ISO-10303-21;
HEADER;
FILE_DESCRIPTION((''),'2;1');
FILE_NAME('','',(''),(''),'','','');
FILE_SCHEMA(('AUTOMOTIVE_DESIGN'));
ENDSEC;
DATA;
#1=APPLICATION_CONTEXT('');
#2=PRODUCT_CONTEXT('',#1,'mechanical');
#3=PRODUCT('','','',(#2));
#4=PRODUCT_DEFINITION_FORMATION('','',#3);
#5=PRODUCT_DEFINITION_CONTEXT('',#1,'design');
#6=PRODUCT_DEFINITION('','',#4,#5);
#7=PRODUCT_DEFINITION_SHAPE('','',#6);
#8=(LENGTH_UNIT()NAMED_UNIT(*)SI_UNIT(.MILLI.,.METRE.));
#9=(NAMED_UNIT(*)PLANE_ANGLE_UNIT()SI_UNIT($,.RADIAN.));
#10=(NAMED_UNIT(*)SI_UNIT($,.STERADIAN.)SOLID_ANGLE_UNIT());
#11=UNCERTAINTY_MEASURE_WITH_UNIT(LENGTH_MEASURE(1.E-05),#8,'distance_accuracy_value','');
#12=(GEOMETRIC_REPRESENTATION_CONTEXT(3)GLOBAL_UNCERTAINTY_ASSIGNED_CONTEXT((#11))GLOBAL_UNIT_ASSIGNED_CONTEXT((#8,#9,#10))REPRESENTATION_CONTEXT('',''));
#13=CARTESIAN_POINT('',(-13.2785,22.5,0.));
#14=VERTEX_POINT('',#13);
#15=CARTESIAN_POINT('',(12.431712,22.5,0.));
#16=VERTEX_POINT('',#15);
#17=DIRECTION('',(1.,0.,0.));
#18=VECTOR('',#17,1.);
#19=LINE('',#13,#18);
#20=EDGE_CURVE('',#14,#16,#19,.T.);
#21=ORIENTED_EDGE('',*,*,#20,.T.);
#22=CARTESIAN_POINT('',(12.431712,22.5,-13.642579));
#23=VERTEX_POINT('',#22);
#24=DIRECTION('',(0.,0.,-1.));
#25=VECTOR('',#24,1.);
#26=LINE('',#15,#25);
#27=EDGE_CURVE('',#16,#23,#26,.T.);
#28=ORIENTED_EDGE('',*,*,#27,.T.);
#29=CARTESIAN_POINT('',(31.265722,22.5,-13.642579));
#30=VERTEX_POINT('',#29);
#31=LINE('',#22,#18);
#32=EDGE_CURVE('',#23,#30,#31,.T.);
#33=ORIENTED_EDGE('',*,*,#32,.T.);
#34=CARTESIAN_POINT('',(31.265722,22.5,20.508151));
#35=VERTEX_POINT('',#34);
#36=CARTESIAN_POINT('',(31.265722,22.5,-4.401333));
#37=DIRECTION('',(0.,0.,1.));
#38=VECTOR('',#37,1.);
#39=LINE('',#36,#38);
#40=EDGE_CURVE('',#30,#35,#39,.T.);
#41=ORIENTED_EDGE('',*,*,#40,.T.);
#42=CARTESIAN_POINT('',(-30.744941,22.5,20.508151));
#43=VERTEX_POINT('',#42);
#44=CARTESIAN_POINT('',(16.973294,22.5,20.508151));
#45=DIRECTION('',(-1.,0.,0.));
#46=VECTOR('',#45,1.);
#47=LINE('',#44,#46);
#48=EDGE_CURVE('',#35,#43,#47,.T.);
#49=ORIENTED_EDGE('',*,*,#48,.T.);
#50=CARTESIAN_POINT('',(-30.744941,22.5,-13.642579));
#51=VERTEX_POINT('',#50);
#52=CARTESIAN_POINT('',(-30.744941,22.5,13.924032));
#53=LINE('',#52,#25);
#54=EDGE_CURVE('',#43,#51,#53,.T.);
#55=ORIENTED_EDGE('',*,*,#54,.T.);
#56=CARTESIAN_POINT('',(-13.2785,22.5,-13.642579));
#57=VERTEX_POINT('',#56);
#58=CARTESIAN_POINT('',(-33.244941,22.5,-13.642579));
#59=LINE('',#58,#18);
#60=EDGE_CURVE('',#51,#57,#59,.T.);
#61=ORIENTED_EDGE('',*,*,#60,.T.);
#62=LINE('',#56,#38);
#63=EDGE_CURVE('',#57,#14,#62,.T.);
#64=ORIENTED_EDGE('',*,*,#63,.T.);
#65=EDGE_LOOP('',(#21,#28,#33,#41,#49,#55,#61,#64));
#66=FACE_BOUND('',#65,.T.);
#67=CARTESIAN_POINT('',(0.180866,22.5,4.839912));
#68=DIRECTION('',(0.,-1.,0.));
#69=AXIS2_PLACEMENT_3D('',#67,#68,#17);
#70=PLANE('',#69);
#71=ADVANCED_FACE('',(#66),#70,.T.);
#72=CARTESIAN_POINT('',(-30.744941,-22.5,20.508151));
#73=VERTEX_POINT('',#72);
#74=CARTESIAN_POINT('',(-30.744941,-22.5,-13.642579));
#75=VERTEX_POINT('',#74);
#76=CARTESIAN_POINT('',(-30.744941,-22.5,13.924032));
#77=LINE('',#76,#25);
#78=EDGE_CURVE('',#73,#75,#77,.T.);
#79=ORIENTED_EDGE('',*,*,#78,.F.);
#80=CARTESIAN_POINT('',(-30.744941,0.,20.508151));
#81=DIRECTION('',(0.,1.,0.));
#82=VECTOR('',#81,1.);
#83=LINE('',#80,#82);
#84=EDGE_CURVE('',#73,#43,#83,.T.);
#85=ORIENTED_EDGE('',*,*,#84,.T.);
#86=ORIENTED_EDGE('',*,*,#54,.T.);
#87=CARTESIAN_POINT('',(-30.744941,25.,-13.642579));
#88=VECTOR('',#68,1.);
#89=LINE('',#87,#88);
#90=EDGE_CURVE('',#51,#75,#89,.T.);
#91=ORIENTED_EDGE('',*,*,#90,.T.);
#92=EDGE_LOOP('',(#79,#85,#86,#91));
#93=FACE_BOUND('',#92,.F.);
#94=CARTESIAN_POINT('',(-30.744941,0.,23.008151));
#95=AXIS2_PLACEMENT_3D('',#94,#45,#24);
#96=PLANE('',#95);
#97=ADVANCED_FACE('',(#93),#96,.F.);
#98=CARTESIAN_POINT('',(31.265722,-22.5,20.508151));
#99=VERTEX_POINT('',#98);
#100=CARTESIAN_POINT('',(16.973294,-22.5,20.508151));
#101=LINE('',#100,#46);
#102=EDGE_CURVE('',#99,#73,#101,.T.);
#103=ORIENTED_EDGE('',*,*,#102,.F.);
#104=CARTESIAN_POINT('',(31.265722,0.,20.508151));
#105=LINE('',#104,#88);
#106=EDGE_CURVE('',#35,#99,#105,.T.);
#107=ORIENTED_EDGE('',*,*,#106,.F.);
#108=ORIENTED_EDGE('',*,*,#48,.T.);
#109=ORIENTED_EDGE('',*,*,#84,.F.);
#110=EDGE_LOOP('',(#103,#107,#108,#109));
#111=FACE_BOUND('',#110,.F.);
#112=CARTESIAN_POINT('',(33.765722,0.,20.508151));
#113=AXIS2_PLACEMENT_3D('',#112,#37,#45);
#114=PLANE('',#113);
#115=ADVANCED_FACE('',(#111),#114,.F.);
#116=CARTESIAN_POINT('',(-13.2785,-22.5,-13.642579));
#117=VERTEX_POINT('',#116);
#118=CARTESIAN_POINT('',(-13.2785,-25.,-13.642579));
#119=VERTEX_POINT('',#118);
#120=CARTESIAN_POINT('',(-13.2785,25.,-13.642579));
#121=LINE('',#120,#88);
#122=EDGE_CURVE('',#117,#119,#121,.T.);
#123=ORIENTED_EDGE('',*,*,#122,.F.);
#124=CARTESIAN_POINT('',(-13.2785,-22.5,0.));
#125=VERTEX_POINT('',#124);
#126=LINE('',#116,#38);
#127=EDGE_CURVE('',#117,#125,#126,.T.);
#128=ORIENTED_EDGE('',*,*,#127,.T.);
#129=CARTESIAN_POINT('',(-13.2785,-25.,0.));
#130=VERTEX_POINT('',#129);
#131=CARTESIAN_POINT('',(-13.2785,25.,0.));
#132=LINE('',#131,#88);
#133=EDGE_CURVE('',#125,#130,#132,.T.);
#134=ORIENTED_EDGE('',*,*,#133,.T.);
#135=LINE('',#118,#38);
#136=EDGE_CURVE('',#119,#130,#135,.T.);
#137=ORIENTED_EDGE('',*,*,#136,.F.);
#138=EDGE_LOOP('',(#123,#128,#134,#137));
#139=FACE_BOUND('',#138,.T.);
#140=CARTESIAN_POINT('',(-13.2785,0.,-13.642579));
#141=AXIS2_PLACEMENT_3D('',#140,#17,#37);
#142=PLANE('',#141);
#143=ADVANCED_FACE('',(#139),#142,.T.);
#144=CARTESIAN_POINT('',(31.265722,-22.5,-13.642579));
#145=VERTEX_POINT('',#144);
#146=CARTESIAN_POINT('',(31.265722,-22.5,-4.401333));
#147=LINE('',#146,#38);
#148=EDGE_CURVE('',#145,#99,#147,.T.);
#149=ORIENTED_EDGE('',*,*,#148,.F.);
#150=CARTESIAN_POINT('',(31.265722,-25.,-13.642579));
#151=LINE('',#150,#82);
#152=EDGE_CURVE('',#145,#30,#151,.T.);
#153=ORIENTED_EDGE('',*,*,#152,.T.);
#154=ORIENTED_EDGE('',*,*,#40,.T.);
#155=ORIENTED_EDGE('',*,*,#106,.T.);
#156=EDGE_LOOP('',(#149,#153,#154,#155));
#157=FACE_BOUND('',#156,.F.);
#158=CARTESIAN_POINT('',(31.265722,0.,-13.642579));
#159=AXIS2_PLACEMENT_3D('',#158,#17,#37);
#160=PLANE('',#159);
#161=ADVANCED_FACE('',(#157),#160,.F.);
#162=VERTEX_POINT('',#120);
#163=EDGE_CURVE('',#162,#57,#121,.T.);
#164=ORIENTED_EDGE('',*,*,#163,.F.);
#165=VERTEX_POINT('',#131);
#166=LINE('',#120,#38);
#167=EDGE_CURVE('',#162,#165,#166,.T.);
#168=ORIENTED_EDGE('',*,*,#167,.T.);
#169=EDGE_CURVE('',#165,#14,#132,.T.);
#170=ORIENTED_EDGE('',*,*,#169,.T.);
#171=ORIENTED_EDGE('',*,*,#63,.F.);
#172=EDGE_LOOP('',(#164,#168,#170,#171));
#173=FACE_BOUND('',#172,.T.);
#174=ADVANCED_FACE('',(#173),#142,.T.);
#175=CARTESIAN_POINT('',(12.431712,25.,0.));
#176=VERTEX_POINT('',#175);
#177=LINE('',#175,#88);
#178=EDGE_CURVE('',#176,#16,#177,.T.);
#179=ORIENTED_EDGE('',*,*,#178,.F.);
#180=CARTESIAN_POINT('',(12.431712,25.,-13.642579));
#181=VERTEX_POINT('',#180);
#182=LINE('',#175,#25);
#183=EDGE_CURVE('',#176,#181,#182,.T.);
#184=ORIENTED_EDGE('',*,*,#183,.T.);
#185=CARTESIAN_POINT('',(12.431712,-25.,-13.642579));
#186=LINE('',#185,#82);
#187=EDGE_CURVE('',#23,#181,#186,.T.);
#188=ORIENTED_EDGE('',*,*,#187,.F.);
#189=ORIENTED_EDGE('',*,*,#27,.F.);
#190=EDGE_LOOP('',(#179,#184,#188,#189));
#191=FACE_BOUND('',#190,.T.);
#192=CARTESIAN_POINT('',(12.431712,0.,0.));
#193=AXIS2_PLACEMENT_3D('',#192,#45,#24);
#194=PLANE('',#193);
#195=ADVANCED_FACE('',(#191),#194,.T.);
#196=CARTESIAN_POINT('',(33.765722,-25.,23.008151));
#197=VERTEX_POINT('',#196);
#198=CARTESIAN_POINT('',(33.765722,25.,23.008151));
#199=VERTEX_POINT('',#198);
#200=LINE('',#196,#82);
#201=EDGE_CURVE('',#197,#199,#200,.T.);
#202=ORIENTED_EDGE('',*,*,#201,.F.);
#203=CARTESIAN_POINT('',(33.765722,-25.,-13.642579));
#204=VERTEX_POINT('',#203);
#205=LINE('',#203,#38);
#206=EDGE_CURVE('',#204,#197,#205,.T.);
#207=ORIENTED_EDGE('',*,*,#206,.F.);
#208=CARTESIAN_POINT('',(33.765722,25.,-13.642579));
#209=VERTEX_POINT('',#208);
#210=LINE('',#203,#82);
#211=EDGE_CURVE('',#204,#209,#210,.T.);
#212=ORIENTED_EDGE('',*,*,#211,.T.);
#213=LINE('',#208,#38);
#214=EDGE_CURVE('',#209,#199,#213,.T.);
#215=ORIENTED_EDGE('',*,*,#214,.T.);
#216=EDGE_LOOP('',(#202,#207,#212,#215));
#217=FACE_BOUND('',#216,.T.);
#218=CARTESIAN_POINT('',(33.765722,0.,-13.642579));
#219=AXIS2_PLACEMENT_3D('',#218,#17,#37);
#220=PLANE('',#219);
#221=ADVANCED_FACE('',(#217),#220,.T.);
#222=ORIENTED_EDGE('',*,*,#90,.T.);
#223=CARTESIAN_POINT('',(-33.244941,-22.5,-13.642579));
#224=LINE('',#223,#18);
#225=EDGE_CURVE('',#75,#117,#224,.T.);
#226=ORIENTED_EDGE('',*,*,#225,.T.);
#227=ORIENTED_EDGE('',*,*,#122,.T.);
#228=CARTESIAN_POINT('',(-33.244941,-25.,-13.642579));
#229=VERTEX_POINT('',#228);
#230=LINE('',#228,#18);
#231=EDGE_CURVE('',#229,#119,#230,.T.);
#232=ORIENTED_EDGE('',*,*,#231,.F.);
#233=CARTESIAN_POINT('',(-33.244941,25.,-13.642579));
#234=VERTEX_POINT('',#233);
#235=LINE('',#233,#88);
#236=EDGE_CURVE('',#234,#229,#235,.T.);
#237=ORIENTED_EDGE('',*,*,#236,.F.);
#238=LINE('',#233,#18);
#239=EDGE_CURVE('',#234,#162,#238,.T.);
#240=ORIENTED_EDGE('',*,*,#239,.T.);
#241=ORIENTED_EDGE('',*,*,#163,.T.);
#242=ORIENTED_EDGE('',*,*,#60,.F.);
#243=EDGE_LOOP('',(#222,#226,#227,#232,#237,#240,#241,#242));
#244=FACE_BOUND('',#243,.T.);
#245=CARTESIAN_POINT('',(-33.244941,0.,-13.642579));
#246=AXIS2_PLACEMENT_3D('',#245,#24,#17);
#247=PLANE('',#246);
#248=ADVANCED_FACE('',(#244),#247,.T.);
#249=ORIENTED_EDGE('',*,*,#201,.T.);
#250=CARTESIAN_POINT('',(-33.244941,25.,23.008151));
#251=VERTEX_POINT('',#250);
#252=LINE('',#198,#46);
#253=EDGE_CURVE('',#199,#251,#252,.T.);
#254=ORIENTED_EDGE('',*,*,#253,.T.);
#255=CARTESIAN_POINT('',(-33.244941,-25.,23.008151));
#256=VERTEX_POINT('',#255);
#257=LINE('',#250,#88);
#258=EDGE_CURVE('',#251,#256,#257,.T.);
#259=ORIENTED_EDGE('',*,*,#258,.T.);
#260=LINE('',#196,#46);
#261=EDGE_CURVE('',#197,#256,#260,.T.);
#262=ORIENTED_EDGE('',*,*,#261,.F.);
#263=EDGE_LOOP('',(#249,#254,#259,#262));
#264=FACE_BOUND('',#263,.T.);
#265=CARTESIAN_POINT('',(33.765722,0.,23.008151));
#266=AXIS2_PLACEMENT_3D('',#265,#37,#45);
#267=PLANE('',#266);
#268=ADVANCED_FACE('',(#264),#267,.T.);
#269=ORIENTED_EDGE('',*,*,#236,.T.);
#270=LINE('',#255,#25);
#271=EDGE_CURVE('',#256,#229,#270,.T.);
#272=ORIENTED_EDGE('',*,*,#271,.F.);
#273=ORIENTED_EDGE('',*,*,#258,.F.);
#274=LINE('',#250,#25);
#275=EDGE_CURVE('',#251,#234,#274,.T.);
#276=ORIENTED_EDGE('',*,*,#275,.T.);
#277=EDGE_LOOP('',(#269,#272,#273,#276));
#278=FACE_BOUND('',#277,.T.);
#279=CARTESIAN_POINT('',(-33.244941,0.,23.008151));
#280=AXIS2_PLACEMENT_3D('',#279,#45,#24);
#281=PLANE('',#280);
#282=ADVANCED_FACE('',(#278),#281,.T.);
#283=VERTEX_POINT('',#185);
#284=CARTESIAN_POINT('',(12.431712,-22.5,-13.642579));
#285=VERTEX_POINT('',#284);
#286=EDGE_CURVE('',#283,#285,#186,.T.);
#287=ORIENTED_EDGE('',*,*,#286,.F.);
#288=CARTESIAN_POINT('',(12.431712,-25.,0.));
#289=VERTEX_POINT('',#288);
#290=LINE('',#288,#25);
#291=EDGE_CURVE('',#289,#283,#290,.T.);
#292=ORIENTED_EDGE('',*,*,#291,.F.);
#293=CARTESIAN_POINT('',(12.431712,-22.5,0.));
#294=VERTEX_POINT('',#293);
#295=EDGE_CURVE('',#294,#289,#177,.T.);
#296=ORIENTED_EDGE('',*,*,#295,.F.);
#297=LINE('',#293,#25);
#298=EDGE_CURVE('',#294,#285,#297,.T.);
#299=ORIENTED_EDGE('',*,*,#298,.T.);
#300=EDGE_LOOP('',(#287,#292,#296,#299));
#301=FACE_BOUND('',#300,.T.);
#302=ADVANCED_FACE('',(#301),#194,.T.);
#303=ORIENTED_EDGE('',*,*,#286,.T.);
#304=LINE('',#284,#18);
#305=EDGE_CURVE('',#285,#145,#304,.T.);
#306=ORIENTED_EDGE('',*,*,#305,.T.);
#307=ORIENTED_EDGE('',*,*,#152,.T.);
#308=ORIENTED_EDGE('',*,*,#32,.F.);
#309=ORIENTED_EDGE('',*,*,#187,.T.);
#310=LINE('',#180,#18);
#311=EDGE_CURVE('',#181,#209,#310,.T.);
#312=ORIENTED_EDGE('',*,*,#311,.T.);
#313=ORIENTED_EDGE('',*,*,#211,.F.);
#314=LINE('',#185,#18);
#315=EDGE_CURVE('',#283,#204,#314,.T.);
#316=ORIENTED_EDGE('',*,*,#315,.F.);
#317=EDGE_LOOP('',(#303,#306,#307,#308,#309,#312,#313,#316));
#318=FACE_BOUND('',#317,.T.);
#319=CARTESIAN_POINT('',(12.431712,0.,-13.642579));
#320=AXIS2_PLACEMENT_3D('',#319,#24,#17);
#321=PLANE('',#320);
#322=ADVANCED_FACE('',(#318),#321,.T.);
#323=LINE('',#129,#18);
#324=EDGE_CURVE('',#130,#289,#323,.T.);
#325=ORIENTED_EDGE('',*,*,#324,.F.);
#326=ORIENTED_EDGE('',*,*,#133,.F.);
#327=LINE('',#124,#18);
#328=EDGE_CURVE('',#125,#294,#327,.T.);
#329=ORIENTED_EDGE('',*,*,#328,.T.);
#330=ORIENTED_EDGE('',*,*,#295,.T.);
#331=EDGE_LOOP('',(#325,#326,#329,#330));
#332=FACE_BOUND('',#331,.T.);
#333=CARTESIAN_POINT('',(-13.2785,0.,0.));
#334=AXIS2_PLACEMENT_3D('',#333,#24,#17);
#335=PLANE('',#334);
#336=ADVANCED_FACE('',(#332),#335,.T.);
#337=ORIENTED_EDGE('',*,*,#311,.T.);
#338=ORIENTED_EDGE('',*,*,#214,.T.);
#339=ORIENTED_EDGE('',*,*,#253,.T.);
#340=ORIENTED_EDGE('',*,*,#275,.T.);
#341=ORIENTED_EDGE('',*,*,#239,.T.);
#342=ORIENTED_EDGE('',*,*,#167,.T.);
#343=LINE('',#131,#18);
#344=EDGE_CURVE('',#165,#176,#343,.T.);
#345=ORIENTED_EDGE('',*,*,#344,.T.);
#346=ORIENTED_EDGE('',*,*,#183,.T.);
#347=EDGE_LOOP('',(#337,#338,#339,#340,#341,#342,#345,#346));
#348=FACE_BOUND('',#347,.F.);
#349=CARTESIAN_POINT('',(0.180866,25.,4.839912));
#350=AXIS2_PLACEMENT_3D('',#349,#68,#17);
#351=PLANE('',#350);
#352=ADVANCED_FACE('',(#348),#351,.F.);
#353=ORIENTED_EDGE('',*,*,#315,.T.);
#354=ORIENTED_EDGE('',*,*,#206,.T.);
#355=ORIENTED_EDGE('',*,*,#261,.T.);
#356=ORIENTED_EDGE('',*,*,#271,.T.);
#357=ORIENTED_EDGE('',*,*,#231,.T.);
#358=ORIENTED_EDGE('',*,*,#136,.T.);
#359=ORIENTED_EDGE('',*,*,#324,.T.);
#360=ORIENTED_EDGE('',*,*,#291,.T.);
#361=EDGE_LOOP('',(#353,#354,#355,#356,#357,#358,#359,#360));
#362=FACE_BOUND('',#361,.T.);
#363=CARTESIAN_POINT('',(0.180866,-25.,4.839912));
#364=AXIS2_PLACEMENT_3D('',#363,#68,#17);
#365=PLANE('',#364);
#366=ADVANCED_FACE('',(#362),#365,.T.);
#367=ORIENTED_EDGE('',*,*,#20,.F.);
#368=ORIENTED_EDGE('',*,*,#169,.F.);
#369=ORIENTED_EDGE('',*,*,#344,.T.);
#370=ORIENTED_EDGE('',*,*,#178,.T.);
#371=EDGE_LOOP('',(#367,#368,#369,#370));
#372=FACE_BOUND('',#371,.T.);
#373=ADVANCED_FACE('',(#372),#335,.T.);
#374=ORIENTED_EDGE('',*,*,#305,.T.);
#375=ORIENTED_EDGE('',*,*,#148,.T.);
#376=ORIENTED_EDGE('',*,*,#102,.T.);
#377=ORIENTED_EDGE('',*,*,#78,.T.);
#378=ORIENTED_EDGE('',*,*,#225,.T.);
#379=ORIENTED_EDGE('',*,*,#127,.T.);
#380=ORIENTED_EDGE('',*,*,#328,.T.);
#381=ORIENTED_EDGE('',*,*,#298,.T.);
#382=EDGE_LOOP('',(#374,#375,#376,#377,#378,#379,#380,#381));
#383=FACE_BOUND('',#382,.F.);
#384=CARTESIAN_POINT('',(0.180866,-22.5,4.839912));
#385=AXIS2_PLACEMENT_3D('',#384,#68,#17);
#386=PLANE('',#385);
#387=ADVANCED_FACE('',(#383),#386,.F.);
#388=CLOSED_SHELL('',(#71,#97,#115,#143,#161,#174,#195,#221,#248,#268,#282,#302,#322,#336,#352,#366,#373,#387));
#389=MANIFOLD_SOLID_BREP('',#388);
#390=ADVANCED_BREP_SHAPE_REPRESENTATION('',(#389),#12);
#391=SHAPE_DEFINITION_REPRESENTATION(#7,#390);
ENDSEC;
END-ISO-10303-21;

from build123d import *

# Parameters (mm, degrees)
F1_DEPTH = 25
F2_T     = -2.5


with BuildPart() as f1:
    # F0 (on Front) → F1 (new body, symmetric)
    with BuildSketch(Plane.XZ):
        Polygon((33.765722, 23.008151), (-33.244941, 23.008151), (-33.244941, -13.642579), (-13.2785, -13.642579), (-13.2785, 0), (12.431712, 0), (12.431712, -13.642579), (33.765722, -13.642579), align=None)
    extrude(amount=F1_DEPTH, both=True)

    # F2
    f2_openings = [f1.faces().sort_by_distance(p)[0] for p in [
        (-0.423394, 0, 0),
        (23.098717, 0, -13.642579),
        (-23.261721, 0, -13.642579),
        (-13.2785, 0, -6.82129),
        (12.431712, 0, -6.82129),
    ]]
    offset(amount=F2_T, openings=f2_openings)


solid = f1.part
